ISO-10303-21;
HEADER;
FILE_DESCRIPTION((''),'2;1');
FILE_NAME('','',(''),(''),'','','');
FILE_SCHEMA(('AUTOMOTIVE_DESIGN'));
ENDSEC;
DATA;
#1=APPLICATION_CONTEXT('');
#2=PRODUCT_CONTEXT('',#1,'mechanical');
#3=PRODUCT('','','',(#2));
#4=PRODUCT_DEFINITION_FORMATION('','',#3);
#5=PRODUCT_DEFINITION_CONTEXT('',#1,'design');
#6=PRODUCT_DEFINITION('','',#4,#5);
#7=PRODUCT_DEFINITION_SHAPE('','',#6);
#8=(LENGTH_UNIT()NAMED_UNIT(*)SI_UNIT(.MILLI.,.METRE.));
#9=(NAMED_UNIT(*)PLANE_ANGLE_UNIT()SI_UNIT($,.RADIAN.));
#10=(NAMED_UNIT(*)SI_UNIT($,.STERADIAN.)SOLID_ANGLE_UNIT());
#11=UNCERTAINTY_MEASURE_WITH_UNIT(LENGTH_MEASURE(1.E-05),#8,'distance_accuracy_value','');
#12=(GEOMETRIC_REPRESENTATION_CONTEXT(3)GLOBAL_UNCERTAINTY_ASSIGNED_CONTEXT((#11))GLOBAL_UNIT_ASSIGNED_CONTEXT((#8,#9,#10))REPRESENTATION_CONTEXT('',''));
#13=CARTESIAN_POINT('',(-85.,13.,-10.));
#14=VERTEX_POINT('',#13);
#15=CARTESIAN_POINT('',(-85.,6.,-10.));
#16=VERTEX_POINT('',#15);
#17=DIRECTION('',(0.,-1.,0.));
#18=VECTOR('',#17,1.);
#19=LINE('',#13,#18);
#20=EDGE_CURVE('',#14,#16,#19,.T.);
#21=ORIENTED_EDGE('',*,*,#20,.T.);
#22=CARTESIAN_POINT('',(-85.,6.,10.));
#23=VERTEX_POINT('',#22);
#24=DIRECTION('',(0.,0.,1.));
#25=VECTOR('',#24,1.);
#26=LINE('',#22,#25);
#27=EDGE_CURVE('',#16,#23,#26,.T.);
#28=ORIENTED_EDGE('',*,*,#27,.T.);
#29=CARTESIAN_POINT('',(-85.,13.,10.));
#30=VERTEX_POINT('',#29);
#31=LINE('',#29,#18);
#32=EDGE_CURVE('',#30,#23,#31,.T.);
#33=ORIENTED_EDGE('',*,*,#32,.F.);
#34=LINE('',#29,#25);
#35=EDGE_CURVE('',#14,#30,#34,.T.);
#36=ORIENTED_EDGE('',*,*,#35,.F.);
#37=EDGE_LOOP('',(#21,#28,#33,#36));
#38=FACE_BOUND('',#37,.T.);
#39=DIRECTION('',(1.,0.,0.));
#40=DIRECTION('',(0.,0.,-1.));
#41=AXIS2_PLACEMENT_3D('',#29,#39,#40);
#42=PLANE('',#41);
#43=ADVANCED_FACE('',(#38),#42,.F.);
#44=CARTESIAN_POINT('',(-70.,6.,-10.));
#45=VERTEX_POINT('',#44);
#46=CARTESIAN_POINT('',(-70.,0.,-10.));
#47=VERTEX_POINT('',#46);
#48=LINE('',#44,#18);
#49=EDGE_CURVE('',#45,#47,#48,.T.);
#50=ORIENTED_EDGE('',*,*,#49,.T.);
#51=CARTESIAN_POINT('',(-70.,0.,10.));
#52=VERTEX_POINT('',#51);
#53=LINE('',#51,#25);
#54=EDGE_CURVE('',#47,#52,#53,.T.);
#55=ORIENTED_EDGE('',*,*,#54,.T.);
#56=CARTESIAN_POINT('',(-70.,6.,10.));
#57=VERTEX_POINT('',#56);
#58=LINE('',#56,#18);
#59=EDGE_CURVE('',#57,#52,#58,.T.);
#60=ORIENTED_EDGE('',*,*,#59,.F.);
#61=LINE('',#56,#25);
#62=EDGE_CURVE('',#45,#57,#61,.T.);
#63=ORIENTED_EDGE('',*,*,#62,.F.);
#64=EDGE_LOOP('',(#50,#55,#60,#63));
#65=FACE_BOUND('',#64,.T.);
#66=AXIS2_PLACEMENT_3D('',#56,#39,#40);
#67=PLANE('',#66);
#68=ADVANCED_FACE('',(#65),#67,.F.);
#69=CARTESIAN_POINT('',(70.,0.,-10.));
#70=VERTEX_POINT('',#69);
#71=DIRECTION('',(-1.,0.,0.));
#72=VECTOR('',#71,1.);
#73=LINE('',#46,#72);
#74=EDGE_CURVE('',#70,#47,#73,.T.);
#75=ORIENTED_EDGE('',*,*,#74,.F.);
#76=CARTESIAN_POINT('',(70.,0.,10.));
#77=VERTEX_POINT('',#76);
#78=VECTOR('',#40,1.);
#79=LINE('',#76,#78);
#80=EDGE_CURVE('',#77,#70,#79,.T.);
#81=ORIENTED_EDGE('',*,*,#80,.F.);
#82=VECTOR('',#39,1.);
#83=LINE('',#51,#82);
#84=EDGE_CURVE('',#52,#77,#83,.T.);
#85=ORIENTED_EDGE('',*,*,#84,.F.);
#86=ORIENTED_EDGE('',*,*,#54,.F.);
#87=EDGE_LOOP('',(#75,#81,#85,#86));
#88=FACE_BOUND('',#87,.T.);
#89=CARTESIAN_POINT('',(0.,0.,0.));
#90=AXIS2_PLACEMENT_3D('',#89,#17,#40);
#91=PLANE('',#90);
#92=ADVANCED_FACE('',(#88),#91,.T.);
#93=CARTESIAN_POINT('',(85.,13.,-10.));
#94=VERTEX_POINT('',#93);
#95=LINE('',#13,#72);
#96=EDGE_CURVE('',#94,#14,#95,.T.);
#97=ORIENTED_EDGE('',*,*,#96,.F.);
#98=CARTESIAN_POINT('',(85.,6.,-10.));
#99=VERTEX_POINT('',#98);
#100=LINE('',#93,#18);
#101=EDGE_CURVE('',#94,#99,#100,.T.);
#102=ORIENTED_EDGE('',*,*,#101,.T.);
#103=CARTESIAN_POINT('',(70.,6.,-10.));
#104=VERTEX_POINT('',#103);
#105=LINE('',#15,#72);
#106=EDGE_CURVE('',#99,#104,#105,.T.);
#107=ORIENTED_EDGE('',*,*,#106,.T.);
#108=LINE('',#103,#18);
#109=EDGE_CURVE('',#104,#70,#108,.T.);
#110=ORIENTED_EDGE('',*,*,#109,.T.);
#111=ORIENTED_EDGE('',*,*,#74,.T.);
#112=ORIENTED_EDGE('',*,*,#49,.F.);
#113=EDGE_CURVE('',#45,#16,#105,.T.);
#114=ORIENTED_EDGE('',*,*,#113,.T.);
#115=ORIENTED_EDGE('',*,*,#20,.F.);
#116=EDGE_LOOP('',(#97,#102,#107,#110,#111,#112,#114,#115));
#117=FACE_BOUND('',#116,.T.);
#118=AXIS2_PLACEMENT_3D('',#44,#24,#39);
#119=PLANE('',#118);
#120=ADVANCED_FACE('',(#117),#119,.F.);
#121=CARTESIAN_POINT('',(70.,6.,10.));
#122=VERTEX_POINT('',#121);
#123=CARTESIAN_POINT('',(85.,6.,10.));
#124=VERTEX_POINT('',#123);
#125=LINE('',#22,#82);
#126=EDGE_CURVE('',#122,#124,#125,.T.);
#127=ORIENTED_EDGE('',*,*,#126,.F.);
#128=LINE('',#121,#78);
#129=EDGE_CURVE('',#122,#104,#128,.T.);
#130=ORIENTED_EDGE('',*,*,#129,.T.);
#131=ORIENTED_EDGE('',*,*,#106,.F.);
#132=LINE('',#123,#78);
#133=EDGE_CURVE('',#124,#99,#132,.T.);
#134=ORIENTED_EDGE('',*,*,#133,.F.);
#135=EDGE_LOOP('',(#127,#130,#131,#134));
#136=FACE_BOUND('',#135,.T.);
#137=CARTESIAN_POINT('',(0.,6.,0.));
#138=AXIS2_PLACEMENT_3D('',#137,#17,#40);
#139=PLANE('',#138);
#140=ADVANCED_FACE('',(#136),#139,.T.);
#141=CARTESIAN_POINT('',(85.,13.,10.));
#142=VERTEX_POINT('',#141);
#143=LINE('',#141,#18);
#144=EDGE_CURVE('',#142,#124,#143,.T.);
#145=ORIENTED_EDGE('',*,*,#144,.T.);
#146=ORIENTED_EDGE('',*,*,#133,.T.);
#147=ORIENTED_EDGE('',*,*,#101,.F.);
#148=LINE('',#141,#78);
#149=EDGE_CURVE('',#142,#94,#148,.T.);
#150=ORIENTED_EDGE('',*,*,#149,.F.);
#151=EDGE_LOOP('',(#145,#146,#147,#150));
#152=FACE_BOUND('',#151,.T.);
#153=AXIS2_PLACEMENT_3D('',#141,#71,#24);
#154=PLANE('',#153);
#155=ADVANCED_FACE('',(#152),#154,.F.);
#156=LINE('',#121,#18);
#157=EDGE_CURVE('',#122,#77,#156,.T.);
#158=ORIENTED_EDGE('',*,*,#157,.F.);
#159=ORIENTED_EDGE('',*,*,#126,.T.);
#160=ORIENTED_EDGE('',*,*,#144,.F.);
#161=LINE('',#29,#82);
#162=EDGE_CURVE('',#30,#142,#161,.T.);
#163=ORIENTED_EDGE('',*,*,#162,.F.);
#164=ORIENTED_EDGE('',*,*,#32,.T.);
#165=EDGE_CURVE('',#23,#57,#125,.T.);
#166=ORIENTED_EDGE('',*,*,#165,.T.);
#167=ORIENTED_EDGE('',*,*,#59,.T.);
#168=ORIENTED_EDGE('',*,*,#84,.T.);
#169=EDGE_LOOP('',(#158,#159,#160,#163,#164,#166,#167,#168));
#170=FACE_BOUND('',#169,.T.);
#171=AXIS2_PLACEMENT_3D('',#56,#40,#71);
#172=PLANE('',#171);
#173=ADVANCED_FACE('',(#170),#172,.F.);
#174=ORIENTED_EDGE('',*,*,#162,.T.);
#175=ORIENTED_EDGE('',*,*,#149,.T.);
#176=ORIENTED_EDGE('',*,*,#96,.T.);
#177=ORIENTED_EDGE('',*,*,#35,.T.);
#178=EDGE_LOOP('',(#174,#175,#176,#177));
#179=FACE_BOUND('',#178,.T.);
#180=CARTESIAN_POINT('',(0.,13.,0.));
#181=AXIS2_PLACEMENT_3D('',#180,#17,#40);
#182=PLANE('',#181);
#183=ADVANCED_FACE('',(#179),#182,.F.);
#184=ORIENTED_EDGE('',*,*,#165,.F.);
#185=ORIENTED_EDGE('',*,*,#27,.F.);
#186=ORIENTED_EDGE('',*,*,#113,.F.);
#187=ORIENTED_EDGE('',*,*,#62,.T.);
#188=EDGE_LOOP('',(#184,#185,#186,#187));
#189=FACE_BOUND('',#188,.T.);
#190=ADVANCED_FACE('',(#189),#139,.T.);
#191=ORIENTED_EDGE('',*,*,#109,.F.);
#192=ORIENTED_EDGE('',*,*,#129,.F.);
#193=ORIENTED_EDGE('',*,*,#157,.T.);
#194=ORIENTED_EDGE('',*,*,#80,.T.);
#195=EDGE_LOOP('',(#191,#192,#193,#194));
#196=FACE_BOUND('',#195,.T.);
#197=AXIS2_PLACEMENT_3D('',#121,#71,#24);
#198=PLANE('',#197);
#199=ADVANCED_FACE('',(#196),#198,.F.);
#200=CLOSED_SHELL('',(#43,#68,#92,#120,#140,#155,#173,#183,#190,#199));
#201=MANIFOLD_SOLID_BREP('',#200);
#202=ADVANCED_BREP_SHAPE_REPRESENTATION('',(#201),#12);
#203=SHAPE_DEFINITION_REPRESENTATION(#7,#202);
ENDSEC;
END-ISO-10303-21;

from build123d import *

# Parameters (mm, degrees)
IZIM1_W                     = 140
IZIM1_H                     = 20
Y_KSEKLIK_EKSTR_ZYON1_DEPTH = 6
IZIM2_W                     = 170
IZIM2_H                     = 20
Y_KSEKLIK_EKSTR_ZYON2_DEPTH = 7


with BuildPart() as part:
    # Çizim1 → Yükseklik-Ekstrüzyon1 (new body)
    with BuildSketch(Plane(origin=(0, 0, 0), x_dir=(1, 0, 0), z_dir=(0, 1, 0))):
        Rectangle(IZIM1_W, IZIM1_H)
    extrude(amount=Y_KSEKLIK_EKSTR_ZYON1_DEPTH)

    # Çizim2 → Yükseklik-Ekstrüzyon2 (add)
    with BuildSketch(Plane(origin=(0, 6, 0), x_dir=(1, 0, 0), z_dir=(0, 1, 0))):
        Rectangle(IZIM2_W, IZIM2_H)
    extrude(amount=Y_KSEKLIK_EKSTR_ZYON2_DEPTH)


solid = part.part
